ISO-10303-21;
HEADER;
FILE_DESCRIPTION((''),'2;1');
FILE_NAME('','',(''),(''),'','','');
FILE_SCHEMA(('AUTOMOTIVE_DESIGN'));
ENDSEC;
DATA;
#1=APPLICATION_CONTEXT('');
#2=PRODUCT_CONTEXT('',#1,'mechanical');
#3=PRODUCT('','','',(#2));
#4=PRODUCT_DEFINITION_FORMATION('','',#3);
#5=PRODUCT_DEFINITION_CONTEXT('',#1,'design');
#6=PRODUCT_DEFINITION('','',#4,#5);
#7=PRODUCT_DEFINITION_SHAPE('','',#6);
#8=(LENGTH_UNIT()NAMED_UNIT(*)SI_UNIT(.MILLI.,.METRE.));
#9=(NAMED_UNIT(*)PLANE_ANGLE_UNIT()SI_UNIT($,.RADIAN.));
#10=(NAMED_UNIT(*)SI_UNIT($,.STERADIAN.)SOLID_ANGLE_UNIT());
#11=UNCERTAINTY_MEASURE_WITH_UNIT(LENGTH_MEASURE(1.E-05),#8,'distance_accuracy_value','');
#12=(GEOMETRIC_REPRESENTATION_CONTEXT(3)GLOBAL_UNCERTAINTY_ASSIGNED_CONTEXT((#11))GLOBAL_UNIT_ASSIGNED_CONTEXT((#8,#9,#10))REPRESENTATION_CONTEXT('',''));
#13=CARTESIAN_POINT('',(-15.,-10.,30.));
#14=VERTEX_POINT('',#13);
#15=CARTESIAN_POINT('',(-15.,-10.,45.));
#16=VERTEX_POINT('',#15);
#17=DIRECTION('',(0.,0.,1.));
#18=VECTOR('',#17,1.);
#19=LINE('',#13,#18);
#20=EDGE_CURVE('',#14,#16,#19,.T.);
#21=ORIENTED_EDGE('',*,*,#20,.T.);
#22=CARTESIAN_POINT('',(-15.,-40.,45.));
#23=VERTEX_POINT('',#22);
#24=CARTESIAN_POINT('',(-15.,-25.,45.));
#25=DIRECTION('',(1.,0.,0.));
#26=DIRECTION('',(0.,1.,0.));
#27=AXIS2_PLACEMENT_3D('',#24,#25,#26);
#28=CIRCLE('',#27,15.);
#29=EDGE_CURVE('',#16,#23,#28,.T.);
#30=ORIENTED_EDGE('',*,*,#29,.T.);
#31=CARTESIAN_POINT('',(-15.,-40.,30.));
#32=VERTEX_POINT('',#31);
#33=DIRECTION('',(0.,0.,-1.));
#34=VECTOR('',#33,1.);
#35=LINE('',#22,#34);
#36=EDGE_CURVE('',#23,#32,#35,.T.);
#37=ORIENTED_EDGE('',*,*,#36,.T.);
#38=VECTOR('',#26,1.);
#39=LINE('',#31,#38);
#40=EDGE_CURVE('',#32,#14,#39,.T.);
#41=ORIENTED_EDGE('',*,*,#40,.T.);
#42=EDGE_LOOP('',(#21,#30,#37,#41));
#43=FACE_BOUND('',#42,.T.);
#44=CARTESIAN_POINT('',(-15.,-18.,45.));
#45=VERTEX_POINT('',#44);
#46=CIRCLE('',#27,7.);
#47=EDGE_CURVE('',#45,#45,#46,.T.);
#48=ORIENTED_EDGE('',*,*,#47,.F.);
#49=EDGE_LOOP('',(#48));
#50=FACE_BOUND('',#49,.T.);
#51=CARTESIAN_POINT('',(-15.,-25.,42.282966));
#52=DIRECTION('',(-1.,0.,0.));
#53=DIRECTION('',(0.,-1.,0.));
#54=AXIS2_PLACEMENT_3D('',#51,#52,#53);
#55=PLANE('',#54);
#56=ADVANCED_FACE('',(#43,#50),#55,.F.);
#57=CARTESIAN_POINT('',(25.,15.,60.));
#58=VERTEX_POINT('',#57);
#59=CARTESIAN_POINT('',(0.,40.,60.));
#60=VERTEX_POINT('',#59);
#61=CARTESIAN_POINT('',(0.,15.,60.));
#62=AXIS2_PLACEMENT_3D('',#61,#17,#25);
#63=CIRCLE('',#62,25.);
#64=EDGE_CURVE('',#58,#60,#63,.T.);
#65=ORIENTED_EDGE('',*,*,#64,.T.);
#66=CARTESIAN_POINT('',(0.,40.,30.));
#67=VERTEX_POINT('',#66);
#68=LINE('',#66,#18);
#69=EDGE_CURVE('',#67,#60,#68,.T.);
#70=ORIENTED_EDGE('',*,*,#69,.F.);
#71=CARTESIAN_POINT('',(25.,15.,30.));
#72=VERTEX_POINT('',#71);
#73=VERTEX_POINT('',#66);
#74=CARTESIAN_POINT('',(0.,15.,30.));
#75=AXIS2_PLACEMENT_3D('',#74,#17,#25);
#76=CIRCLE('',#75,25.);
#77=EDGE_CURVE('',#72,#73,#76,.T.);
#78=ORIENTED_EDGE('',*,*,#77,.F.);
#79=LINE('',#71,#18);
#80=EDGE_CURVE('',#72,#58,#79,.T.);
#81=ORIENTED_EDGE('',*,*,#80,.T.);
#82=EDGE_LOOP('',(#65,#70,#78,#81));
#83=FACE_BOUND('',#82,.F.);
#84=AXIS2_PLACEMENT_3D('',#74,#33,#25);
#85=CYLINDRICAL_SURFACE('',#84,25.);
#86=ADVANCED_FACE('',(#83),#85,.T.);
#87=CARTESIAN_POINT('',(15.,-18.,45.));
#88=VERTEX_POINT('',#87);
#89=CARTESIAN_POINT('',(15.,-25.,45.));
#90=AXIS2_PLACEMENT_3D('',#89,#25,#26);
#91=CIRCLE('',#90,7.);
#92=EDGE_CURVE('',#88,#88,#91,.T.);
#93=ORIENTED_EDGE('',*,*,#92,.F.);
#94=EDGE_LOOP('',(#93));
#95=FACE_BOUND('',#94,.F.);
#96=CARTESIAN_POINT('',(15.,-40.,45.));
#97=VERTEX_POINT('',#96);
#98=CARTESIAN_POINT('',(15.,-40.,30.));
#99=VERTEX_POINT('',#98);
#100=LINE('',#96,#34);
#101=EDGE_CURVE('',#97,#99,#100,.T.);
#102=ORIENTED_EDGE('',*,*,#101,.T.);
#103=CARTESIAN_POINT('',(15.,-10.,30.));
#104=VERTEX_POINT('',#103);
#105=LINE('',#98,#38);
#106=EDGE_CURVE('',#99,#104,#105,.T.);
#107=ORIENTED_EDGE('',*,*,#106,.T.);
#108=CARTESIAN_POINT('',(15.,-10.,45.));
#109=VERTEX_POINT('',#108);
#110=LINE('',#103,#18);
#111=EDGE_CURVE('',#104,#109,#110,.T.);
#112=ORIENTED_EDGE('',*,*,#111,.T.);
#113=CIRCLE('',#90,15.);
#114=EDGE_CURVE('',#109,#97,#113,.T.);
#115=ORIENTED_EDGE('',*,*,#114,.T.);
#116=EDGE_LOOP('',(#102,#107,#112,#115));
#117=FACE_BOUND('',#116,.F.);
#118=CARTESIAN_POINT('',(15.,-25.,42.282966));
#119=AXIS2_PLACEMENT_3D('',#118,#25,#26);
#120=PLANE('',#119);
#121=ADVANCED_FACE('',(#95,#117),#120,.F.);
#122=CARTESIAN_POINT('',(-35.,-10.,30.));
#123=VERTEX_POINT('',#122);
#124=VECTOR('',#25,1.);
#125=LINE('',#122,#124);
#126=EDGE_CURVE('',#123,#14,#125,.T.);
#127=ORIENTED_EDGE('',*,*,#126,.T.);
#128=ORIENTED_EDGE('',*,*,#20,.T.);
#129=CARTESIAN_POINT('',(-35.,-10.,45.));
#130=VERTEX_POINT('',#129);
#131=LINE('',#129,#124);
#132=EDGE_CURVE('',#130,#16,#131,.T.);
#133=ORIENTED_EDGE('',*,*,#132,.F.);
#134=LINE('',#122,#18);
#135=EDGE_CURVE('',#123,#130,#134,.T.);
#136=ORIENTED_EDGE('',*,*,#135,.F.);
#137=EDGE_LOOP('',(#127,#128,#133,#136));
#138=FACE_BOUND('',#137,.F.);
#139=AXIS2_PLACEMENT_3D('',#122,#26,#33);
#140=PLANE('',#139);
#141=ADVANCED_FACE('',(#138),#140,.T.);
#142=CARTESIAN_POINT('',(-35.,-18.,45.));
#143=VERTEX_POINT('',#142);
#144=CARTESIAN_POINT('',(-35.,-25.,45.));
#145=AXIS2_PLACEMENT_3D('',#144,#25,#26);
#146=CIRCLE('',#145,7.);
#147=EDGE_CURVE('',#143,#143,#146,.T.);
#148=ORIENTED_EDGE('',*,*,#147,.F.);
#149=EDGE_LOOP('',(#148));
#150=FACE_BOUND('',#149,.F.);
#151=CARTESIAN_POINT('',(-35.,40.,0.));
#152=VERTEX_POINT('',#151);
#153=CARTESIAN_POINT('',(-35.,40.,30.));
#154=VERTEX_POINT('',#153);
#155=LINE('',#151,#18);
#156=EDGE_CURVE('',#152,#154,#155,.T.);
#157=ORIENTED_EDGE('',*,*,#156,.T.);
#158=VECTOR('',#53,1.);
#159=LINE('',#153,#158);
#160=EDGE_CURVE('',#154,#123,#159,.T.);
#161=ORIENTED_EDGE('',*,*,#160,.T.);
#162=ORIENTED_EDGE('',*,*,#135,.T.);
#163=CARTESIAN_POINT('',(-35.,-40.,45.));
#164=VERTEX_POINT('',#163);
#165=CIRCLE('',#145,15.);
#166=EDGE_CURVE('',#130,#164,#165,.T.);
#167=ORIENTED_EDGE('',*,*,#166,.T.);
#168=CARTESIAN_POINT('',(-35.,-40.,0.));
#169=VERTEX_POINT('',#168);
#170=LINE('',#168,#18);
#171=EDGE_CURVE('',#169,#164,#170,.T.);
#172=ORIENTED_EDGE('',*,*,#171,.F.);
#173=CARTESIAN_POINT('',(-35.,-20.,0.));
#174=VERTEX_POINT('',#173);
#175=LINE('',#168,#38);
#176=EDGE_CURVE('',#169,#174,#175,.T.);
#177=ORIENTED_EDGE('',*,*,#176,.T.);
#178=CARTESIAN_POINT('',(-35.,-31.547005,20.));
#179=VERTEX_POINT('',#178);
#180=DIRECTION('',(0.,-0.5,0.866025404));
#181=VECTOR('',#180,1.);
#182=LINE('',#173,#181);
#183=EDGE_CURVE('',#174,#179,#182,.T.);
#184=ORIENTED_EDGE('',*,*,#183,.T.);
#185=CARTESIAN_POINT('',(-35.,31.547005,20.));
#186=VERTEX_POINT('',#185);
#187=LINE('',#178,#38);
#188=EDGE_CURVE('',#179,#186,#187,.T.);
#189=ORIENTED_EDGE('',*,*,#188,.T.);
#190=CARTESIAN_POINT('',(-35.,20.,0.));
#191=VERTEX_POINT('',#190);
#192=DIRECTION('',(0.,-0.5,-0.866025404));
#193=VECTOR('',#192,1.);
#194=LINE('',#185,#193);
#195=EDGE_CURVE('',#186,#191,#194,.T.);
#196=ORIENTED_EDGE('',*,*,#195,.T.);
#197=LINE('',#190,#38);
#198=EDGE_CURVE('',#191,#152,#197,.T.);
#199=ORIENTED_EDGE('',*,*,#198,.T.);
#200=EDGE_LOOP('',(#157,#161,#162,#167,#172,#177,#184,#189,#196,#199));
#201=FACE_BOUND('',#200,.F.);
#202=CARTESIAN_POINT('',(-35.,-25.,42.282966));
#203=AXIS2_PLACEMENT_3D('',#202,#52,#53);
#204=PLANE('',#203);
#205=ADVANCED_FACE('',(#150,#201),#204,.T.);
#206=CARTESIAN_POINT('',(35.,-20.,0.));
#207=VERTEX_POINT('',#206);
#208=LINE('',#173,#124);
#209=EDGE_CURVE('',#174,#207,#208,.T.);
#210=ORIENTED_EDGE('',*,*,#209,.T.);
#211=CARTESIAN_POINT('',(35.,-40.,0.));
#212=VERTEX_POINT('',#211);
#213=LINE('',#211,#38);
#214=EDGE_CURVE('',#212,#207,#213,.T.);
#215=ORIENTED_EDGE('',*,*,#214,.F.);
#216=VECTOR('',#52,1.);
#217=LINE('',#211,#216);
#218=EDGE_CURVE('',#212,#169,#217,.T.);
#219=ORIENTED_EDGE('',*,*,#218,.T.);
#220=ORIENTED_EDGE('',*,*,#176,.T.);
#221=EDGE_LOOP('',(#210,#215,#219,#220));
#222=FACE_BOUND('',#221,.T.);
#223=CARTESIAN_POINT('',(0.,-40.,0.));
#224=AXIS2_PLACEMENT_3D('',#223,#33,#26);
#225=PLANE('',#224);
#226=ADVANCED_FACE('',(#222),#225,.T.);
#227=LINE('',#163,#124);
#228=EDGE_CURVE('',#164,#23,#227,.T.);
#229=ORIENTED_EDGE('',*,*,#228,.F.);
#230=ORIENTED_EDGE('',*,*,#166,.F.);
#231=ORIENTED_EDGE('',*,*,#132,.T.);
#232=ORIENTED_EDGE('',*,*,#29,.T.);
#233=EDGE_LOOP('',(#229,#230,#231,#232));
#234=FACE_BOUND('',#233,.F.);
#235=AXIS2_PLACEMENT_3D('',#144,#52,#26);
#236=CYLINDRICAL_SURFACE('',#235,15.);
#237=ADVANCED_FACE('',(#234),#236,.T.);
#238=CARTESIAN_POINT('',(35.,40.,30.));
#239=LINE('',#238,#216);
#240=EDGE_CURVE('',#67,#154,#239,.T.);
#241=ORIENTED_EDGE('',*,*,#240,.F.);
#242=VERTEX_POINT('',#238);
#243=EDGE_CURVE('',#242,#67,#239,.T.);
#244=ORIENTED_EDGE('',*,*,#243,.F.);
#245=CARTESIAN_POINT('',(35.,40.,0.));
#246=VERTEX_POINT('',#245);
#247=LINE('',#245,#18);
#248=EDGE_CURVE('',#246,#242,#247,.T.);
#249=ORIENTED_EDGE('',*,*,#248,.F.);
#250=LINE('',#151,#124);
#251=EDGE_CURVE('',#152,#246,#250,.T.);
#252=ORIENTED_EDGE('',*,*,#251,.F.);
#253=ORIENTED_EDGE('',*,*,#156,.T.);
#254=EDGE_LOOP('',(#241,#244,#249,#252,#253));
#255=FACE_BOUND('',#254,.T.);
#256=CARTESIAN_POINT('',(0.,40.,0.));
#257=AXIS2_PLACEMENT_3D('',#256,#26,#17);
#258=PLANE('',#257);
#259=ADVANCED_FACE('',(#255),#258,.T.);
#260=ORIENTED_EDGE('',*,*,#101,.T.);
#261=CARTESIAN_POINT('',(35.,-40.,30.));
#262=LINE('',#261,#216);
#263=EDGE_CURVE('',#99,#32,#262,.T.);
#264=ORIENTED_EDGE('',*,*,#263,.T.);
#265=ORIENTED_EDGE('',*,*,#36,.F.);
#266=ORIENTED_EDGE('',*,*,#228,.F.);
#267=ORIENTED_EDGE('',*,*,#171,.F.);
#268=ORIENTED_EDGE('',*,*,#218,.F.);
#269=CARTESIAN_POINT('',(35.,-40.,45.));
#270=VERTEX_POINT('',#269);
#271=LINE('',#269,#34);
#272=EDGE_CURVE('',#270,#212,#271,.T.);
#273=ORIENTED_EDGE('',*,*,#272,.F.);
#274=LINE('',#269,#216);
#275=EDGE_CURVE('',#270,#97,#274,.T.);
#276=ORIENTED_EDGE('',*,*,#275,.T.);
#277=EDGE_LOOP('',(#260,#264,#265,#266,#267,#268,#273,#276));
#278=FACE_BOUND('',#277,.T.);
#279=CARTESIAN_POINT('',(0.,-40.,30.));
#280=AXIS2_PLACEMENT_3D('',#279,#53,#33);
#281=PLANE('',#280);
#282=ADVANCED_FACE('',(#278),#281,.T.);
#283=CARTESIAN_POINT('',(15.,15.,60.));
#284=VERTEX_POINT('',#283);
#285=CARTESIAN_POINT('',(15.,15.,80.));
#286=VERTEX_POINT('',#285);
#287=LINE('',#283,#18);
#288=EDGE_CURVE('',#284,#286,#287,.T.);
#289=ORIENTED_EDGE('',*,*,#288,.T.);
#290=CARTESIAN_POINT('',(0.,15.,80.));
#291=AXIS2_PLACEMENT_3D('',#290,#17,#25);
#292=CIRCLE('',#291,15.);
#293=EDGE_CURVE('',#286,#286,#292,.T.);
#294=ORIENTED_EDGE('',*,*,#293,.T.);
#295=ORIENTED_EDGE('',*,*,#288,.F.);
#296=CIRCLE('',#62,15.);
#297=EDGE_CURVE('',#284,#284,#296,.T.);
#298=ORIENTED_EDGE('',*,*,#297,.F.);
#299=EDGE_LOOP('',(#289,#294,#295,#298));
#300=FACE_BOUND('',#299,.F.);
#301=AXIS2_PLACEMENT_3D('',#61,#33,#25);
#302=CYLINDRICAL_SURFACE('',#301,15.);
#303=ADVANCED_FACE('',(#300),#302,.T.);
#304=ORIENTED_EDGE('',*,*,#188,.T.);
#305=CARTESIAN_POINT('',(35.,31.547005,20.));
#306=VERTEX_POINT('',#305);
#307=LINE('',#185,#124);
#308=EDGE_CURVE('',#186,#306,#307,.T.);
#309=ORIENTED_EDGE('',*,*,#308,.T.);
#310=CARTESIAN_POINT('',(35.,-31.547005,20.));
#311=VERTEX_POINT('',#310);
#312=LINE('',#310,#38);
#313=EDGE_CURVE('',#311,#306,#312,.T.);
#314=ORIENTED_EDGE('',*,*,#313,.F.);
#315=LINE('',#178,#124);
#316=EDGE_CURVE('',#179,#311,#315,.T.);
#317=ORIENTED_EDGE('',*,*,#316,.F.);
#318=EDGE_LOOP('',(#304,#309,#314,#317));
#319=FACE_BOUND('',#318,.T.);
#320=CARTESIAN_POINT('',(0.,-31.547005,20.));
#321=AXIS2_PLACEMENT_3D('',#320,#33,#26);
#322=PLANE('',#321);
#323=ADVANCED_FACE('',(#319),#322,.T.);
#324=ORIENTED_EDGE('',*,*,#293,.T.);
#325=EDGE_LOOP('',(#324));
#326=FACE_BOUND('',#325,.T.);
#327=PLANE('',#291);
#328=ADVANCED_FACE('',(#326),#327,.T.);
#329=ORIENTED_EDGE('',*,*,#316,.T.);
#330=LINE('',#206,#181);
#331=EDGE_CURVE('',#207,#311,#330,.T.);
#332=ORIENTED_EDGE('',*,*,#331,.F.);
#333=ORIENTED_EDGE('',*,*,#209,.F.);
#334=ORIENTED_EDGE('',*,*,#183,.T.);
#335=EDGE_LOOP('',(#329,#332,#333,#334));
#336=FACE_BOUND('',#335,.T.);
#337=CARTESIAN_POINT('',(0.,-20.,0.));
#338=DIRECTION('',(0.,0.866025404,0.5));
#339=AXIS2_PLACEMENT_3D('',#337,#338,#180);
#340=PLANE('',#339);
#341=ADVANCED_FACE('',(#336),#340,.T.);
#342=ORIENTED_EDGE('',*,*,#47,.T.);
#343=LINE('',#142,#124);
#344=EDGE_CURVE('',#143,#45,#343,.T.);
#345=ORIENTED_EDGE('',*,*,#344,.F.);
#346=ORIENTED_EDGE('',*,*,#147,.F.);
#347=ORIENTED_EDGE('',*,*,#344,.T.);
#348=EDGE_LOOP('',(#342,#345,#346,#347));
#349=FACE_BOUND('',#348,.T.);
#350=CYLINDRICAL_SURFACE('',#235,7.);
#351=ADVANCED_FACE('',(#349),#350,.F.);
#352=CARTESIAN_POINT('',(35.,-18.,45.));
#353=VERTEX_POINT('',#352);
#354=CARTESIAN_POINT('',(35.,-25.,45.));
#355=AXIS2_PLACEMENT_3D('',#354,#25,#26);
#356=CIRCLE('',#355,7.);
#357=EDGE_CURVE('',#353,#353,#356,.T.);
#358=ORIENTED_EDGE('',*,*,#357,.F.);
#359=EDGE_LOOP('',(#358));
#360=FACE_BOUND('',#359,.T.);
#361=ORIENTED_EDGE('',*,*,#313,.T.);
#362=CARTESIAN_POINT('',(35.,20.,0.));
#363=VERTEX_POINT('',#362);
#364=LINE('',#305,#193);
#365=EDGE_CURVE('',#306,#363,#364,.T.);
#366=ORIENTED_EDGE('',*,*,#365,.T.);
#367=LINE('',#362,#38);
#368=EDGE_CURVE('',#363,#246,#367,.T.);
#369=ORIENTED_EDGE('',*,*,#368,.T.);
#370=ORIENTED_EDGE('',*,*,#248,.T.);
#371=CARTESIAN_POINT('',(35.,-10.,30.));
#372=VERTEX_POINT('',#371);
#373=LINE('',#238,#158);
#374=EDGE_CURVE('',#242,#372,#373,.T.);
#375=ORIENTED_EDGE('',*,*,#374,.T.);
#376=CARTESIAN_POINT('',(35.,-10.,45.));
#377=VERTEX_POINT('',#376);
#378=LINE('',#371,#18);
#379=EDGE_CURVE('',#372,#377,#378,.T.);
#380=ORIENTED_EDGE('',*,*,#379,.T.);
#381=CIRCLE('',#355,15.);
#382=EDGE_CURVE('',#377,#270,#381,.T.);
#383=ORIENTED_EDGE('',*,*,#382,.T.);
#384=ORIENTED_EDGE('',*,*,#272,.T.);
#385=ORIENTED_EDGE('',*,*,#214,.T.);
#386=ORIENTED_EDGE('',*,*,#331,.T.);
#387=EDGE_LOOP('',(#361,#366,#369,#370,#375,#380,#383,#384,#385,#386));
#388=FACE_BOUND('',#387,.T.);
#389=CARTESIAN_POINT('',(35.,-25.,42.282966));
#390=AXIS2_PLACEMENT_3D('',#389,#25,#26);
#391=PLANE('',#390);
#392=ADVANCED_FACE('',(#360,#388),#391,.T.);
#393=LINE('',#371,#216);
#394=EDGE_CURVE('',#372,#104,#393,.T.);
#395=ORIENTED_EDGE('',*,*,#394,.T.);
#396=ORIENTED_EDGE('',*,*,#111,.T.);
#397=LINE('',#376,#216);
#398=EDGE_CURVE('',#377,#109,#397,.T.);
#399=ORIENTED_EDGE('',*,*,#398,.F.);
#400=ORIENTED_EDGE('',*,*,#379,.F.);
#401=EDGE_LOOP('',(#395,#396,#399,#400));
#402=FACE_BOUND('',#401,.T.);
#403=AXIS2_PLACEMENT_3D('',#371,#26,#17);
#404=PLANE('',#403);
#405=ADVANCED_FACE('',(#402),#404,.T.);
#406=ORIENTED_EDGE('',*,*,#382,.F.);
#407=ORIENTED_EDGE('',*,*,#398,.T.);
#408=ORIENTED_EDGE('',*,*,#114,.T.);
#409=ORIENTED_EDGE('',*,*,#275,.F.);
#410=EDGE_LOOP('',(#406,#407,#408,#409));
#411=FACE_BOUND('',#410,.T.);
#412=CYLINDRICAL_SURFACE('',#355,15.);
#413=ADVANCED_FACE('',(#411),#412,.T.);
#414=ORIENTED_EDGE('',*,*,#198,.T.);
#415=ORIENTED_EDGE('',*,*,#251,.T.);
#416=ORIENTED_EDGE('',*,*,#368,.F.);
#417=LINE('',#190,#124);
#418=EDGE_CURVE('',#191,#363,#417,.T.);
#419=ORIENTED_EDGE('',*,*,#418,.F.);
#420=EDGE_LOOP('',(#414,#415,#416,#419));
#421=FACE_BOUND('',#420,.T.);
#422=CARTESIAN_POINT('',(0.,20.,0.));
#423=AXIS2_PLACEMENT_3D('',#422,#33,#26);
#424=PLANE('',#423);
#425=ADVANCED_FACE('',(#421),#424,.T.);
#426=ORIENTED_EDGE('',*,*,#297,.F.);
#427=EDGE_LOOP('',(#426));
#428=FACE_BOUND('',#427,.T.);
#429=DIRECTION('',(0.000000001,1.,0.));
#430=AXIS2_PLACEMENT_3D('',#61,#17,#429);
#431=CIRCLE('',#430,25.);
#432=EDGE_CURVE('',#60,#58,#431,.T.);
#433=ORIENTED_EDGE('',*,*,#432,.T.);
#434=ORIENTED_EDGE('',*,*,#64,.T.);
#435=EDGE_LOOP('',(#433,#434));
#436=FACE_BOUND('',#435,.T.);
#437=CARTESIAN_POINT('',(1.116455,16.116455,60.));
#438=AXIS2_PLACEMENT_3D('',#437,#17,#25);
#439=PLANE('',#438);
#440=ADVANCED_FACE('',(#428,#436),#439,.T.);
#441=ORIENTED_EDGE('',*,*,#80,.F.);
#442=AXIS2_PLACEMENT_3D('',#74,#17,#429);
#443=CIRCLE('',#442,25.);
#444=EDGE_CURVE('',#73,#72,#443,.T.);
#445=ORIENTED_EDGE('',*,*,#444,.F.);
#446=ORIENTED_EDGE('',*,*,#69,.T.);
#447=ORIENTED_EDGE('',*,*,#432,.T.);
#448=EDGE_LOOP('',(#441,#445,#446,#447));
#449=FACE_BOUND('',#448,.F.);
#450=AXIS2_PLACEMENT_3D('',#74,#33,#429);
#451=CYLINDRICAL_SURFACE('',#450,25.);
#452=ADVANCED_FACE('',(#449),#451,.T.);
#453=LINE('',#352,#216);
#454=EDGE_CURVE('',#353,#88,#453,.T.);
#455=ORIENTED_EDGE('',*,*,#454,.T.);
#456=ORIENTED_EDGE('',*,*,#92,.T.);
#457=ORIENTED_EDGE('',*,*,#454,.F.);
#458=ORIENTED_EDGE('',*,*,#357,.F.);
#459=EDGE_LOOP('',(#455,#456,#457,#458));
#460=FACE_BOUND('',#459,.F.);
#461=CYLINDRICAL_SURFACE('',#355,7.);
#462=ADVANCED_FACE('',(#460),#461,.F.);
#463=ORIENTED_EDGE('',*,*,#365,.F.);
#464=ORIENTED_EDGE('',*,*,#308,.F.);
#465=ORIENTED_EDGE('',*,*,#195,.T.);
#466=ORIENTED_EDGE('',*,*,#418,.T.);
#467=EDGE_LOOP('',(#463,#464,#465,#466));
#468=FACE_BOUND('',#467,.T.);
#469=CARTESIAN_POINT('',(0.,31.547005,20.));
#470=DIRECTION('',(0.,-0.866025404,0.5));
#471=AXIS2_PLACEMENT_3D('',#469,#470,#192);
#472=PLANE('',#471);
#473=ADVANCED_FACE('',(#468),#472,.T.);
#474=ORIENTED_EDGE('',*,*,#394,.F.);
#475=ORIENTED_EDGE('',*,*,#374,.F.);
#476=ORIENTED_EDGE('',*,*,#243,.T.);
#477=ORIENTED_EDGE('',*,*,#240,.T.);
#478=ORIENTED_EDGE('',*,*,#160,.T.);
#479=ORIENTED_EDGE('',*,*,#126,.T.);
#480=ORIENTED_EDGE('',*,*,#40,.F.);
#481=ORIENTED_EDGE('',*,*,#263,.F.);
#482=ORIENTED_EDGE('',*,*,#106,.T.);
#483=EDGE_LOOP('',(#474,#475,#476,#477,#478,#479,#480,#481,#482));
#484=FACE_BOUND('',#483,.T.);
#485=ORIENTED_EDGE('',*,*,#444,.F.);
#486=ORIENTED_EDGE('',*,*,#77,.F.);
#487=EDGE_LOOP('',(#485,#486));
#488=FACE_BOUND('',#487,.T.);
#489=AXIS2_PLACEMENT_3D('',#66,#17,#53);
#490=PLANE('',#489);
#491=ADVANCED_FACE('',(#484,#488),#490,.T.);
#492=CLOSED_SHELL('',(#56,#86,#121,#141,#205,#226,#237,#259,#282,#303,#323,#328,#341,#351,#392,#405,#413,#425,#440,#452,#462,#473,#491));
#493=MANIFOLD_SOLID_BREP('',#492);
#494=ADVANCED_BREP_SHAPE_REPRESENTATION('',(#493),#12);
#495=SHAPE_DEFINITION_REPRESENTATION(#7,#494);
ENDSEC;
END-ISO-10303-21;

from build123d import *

# Parameters (mm, degrees)
F1_DEPTH = 35
F2_R     = 7
F3_DEPTH = 20
F6_DEPTH = 30
F7_R     = 15
F8_DEPTH = 20


with BuildPart() as f1:
    # F0 (on Right) → F1 (new body, symmetric)
    with BuildSketch(Plane.YZ):
        Polygon((-40, 0), (-20, 0), (-31.5470053838, 20), (31.5470053838, 20), (20, 0), (40, 0), (40, 30), (-40, 30), align=None)
    extrude(amount=F1_DEPTH, both=True)

    # F2 (on face) → F3 (join)
    with BuildSketch(Plane.YZ.offset(35)):
        with BuildLine():
            Line((-10, 30), (-10, 45))
            ThreePointArc((-10, 45), (-25, 60), (-40, 45))
            Line((-40, 45), (-40, 30))
            Line((-40, 30), (-10, 30))
        make_face()
        with Locations((-25, 45)):
            Circle(F2_R, mode=Mode.SUBTRACT)
    extrude(amount=-F3_DEPTH)

    # F4: F1 across plane


with BuildPart() as f1_1:
    add(f1.part)
    add(f1.part.mirror(Plane.YZ))

    # F5 (on face) → F6 (join)
    with BuildSketch(Plane.XY.offset(30)):
        with BuildLine():
            ThreePointArc((3.22e-08, 40), (-17.6776695411, -2.6776695183), (25, 15))
            ThreePointArc((25, 15), (17.6776695411, 32.6776695183), (3.22e-08, 40))
        make_face()
    extrude(amount=F6_DEPTH)

    # F7 (on face) → F8 (join)
    with BuildSketch(Plane.XY.offset(60)):
        with Locations((0, 15)):
            Circle(F7_R)
    extrude(amount=F8_DEPTH)


solid = f1_1.part
